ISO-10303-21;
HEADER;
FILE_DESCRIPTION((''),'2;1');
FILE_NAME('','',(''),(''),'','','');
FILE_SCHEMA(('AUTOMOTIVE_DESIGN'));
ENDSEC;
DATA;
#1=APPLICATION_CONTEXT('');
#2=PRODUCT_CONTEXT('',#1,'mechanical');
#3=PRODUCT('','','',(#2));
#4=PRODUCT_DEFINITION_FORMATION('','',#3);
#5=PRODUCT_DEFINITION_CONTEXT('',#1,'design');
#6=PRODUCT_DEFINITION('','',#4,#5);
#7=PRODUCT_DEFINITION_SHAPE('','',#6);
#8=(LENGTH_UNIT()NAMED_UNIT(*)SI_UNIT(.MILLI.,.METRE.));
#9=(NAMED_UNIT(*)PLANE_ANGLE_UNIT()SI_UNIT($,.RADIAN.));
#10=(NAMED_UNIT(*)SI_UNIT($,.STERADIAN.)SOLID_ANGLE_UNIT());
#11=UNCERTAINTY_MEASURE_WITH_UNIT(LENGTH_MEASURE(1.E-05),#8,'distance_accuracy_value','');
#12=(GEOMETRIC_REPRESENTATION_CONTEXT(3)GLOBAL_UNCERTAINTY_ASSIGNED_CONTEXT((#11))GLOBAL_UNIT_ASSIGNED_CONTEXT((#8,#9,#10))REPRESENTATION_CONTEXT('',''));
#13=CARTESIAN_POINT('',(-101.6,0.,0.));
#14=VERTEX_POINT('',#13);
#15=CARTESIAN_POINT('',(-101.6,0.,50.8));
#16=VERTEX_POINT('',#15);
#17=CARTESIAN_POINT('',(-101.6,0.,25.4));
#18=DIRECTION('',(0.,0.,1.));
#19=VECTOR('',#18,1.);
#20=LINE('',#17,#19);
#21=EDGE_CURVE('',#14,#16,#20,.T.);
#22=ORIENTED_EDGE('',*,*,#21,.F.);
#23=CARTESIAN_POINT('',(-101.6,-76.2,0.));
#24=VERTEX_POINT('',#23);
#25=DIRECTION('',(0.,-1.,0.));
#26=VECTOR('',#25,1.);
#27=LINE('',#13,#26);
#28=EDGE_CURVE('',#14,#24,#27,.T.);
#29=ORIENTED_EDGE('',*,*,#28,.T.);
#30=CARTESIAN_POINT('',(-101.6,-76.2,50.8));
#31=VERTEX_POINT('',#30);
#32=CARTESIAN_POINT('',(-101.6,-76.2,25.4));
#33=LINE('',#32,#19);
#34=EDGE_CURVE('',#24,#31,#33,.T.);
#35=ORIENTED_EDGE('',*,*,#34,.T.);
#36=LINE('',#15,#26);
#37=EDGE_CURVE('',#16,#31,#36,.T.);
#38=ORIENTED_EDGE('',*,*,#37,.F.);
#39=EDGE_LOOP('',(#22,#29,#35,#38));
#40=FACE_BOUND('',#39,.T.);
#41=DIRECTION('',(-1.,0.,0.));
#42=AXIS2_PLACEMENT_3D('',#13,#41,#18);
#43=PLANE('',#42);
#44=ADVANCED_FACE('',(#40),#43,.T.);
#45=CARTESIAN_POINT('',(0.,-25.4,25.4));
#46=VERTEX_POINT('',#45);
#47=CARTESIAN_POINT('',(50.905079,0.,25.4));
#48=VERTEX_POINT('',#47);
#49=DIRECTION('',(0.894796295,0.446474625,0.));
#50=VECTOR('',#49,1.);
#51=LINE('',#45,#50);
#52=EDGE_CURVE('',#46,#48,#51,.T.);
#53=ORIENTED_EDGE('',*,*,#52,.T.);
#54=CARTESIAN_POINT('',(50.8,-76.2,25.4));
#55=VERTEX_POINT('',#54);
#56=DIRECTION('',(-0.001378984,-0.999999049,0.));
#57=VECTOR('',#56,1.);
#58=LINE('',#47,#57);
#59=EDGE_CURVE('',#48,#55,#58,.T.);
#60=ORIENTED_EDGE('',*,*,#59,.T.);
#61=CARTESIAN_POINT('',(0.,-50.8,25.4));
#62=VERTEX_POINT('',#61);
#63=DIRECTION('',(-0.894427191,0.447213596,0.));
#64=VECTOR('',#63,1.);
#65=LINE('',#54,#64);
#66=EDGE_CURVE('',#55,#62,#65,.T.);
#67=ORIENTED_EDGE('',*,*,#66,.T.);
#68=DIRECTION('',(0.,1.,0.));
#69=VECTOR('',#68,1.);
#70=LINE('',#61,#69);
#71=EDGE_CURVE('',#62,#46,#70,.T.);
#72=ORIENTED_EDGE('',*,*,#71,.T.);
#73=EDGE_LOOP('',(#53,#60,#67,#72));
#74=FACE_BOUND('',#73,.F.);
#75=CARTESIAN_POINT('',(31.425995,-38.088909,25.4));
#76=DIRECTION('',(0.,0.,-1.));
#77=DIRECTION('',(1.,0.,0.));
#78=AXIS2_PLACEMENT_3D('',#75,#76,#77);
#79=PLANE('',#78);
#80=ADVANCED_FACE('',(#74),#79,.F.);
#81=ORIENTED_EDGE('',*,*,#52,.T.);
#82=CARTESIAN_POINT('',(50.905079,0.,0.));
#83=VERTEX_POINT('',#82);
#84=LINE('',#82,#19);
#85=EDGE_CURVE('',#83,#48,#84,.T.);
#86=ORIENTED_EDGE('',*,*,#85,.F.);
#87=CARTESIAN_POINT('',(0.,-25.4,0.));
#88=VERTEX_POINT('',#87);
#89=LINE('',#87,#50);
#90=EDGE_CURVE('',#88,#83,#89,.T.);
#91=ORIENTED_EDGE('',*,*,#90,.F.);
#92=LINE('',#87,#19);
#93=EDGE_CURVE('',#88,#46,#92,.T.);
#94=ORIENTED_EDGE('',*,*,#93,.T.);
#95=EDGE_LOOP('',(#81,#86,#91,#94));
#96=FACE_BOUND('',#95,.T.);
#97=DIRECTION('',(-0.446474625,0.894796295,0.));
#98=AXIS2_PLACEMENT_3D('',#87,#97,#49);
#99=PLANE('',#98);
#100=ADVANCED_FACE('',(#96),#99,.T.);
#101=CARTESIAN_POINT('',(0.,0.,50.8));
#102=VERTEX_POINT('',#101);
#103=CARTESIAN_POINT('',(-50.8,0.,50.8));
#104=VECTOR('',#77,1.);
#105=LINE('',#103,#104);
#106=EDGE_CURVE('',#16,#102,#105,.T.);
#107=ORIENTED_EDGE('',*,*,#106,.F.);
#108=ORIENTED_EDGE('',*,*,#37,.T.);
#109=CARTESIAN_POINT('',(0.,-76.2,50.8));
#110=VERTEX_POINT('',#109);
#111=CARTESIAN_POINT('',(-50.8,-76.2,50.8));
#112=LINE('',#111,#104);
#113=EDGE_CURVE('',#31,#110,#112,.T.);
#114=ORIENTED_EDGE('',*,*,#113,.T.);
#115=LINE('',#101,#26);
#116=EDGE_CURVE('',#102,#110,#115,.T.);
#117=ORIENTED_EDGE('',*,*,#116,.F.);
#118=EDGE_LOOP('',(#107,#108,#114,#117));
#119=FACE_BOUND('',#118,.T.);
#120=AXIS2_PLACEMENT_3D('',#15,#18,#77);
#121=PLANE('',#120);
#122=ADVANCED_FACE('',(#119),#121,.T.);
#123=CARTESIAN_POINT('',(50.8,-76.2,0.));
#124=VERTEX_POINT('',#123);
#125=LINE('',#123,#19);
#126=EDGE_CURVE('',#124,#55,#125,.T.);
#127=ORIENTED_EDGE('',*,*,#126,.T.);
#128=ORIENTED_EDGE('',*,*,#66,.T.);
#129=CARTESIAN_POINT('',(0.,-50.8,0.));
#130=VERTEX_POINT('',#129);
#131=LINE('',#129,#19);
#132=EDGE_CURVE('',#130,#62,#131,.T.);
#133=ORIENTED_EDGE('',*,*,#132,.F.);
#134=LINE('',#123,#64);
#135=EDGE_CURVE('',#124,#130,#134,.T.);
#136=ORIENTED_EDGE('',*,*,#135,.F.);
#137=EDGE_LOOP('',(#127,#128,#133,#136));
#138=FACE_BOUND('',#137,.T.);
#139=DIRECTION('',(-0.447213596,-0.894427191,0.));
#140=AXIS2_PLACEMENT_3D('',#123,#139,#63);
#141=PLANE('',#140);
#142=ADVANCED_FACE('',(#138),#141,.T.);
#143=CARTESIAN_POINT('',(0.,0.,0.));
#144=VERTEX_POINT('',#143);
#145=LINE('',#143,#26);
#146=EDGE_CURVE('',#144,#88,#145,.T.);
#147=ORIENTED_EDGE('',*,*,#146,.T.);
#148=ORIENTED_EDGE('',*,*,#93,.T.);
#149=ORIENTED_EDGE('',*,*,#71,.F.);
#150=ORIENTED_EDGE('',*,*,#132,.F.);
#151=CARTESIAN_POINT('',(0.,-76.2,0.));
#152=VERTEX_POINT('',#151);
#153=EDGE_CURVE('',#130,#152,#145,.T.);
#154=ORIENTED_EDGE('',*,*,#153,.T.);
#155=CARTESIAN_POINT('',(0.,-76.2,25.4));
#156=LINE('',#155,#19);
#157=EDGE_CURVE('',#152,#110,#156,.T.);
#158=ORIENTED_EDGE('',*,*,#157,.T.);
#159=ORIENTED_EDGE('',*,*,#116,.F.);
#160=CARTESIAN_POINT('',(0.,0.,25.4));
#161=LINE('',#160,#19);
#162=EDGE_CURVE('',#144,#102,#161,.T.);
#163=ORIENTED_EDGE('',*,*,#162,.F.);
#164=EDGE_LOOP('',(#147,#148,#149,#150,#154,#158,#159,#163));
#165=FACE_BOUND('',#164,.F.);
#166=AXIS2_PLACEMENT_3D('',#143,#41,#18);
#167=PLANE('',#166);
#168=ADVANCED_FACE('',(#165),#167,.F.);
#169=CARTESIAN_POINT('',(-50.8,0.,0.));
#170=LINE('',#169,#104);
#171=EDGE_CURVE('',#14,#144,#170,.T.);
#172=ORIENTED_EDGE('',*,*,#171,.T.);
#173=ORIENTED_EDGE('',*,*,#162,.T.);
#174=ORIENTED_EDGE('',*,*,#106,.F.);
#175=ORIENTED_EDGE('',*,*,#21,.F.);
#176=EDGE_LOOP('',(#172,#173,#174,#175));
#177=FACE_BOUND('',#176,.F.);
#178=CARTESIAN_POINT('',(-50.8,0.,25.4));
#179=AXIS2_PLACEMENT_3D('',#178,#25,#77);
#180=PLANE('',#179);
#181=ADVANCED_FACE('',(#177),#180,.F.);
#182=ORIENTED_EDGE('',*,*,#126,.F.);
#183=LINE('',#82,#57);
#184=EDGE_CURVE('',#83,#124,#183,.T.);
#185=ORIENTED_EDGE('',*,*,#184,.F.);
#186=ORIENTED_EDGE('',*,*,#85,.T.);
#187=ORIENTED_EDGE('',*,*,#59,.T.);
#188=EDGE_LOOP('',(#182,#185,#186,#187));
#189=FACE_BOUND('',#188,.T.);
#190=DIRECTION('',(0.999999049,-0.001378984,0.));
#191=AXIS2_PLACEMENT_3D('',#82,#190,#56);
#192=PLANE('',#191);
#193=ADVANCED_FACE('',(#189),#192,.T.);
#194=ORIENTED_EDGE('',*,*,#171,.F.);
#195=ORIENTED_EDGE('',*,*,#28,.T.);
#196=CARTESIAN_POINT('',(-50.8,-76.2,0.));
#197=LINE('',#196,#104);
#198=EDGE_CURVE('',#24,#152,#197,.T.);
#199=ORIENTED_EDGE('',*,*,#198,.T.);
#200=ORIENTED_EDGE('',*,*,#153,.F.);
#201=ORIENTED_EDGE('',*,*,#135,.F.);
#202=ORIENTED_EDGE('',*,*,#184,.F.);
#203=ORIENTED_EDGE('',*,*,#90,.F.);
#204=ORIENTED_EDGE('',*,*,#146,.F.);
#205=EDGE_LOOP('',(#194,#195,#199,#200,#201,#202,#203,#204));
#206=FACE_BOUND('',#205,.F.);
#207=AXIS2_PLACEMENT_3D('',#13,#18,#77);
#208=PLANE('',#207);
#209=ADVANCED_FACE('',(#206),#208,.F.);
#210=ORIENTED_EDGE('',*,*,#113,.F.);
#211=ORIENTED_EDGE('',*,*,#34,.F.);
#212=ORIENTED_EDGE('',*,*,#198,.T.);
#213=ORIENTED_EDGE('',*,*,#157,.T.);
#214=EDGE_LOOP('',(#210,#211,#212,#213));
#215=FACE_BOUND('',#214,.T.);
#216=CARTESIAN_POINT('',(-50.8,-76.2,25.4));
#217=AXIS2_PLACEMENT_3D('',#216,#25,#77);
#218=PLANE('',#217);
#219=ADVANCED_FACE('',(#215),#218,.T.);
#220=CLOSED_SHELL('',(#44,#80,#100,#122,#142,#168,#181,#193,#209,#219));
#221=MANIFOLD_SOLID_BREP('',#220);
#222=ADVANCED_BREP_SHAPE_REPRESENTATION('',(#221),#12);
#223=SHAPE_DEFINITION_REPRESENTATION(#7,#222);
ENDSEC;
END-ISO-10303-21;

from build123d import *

# Parameters (mm, degrees)
F0_W     = 101.6
F0_H     = 50.8
F1_DEPTH = 76.2
F3_DEPTH = 25.4


with BuildPart() as f1:
    # F0 (on Front) → F1 (new body)
    with BuildSketch(Plane.XZ):
        with Locations((-50.8, 25.4)):
            Rectangle(F0_W, F0_H)
    extrude(amount=F1_DEPTH)

    # F2 (on face) → F3 (join)
    with BuildSketch(Plane(origin=(0, 0, 0), x_dir=(1, 0, 0), z_dir=(0, 0, -1))):
        Polygon((0, 50.8), (0, 25.4), (50.9050786495, 0), (50.8, 76.2), align=None)
    extrude(amount=-F3_DEPTH)


solid = f1.part
